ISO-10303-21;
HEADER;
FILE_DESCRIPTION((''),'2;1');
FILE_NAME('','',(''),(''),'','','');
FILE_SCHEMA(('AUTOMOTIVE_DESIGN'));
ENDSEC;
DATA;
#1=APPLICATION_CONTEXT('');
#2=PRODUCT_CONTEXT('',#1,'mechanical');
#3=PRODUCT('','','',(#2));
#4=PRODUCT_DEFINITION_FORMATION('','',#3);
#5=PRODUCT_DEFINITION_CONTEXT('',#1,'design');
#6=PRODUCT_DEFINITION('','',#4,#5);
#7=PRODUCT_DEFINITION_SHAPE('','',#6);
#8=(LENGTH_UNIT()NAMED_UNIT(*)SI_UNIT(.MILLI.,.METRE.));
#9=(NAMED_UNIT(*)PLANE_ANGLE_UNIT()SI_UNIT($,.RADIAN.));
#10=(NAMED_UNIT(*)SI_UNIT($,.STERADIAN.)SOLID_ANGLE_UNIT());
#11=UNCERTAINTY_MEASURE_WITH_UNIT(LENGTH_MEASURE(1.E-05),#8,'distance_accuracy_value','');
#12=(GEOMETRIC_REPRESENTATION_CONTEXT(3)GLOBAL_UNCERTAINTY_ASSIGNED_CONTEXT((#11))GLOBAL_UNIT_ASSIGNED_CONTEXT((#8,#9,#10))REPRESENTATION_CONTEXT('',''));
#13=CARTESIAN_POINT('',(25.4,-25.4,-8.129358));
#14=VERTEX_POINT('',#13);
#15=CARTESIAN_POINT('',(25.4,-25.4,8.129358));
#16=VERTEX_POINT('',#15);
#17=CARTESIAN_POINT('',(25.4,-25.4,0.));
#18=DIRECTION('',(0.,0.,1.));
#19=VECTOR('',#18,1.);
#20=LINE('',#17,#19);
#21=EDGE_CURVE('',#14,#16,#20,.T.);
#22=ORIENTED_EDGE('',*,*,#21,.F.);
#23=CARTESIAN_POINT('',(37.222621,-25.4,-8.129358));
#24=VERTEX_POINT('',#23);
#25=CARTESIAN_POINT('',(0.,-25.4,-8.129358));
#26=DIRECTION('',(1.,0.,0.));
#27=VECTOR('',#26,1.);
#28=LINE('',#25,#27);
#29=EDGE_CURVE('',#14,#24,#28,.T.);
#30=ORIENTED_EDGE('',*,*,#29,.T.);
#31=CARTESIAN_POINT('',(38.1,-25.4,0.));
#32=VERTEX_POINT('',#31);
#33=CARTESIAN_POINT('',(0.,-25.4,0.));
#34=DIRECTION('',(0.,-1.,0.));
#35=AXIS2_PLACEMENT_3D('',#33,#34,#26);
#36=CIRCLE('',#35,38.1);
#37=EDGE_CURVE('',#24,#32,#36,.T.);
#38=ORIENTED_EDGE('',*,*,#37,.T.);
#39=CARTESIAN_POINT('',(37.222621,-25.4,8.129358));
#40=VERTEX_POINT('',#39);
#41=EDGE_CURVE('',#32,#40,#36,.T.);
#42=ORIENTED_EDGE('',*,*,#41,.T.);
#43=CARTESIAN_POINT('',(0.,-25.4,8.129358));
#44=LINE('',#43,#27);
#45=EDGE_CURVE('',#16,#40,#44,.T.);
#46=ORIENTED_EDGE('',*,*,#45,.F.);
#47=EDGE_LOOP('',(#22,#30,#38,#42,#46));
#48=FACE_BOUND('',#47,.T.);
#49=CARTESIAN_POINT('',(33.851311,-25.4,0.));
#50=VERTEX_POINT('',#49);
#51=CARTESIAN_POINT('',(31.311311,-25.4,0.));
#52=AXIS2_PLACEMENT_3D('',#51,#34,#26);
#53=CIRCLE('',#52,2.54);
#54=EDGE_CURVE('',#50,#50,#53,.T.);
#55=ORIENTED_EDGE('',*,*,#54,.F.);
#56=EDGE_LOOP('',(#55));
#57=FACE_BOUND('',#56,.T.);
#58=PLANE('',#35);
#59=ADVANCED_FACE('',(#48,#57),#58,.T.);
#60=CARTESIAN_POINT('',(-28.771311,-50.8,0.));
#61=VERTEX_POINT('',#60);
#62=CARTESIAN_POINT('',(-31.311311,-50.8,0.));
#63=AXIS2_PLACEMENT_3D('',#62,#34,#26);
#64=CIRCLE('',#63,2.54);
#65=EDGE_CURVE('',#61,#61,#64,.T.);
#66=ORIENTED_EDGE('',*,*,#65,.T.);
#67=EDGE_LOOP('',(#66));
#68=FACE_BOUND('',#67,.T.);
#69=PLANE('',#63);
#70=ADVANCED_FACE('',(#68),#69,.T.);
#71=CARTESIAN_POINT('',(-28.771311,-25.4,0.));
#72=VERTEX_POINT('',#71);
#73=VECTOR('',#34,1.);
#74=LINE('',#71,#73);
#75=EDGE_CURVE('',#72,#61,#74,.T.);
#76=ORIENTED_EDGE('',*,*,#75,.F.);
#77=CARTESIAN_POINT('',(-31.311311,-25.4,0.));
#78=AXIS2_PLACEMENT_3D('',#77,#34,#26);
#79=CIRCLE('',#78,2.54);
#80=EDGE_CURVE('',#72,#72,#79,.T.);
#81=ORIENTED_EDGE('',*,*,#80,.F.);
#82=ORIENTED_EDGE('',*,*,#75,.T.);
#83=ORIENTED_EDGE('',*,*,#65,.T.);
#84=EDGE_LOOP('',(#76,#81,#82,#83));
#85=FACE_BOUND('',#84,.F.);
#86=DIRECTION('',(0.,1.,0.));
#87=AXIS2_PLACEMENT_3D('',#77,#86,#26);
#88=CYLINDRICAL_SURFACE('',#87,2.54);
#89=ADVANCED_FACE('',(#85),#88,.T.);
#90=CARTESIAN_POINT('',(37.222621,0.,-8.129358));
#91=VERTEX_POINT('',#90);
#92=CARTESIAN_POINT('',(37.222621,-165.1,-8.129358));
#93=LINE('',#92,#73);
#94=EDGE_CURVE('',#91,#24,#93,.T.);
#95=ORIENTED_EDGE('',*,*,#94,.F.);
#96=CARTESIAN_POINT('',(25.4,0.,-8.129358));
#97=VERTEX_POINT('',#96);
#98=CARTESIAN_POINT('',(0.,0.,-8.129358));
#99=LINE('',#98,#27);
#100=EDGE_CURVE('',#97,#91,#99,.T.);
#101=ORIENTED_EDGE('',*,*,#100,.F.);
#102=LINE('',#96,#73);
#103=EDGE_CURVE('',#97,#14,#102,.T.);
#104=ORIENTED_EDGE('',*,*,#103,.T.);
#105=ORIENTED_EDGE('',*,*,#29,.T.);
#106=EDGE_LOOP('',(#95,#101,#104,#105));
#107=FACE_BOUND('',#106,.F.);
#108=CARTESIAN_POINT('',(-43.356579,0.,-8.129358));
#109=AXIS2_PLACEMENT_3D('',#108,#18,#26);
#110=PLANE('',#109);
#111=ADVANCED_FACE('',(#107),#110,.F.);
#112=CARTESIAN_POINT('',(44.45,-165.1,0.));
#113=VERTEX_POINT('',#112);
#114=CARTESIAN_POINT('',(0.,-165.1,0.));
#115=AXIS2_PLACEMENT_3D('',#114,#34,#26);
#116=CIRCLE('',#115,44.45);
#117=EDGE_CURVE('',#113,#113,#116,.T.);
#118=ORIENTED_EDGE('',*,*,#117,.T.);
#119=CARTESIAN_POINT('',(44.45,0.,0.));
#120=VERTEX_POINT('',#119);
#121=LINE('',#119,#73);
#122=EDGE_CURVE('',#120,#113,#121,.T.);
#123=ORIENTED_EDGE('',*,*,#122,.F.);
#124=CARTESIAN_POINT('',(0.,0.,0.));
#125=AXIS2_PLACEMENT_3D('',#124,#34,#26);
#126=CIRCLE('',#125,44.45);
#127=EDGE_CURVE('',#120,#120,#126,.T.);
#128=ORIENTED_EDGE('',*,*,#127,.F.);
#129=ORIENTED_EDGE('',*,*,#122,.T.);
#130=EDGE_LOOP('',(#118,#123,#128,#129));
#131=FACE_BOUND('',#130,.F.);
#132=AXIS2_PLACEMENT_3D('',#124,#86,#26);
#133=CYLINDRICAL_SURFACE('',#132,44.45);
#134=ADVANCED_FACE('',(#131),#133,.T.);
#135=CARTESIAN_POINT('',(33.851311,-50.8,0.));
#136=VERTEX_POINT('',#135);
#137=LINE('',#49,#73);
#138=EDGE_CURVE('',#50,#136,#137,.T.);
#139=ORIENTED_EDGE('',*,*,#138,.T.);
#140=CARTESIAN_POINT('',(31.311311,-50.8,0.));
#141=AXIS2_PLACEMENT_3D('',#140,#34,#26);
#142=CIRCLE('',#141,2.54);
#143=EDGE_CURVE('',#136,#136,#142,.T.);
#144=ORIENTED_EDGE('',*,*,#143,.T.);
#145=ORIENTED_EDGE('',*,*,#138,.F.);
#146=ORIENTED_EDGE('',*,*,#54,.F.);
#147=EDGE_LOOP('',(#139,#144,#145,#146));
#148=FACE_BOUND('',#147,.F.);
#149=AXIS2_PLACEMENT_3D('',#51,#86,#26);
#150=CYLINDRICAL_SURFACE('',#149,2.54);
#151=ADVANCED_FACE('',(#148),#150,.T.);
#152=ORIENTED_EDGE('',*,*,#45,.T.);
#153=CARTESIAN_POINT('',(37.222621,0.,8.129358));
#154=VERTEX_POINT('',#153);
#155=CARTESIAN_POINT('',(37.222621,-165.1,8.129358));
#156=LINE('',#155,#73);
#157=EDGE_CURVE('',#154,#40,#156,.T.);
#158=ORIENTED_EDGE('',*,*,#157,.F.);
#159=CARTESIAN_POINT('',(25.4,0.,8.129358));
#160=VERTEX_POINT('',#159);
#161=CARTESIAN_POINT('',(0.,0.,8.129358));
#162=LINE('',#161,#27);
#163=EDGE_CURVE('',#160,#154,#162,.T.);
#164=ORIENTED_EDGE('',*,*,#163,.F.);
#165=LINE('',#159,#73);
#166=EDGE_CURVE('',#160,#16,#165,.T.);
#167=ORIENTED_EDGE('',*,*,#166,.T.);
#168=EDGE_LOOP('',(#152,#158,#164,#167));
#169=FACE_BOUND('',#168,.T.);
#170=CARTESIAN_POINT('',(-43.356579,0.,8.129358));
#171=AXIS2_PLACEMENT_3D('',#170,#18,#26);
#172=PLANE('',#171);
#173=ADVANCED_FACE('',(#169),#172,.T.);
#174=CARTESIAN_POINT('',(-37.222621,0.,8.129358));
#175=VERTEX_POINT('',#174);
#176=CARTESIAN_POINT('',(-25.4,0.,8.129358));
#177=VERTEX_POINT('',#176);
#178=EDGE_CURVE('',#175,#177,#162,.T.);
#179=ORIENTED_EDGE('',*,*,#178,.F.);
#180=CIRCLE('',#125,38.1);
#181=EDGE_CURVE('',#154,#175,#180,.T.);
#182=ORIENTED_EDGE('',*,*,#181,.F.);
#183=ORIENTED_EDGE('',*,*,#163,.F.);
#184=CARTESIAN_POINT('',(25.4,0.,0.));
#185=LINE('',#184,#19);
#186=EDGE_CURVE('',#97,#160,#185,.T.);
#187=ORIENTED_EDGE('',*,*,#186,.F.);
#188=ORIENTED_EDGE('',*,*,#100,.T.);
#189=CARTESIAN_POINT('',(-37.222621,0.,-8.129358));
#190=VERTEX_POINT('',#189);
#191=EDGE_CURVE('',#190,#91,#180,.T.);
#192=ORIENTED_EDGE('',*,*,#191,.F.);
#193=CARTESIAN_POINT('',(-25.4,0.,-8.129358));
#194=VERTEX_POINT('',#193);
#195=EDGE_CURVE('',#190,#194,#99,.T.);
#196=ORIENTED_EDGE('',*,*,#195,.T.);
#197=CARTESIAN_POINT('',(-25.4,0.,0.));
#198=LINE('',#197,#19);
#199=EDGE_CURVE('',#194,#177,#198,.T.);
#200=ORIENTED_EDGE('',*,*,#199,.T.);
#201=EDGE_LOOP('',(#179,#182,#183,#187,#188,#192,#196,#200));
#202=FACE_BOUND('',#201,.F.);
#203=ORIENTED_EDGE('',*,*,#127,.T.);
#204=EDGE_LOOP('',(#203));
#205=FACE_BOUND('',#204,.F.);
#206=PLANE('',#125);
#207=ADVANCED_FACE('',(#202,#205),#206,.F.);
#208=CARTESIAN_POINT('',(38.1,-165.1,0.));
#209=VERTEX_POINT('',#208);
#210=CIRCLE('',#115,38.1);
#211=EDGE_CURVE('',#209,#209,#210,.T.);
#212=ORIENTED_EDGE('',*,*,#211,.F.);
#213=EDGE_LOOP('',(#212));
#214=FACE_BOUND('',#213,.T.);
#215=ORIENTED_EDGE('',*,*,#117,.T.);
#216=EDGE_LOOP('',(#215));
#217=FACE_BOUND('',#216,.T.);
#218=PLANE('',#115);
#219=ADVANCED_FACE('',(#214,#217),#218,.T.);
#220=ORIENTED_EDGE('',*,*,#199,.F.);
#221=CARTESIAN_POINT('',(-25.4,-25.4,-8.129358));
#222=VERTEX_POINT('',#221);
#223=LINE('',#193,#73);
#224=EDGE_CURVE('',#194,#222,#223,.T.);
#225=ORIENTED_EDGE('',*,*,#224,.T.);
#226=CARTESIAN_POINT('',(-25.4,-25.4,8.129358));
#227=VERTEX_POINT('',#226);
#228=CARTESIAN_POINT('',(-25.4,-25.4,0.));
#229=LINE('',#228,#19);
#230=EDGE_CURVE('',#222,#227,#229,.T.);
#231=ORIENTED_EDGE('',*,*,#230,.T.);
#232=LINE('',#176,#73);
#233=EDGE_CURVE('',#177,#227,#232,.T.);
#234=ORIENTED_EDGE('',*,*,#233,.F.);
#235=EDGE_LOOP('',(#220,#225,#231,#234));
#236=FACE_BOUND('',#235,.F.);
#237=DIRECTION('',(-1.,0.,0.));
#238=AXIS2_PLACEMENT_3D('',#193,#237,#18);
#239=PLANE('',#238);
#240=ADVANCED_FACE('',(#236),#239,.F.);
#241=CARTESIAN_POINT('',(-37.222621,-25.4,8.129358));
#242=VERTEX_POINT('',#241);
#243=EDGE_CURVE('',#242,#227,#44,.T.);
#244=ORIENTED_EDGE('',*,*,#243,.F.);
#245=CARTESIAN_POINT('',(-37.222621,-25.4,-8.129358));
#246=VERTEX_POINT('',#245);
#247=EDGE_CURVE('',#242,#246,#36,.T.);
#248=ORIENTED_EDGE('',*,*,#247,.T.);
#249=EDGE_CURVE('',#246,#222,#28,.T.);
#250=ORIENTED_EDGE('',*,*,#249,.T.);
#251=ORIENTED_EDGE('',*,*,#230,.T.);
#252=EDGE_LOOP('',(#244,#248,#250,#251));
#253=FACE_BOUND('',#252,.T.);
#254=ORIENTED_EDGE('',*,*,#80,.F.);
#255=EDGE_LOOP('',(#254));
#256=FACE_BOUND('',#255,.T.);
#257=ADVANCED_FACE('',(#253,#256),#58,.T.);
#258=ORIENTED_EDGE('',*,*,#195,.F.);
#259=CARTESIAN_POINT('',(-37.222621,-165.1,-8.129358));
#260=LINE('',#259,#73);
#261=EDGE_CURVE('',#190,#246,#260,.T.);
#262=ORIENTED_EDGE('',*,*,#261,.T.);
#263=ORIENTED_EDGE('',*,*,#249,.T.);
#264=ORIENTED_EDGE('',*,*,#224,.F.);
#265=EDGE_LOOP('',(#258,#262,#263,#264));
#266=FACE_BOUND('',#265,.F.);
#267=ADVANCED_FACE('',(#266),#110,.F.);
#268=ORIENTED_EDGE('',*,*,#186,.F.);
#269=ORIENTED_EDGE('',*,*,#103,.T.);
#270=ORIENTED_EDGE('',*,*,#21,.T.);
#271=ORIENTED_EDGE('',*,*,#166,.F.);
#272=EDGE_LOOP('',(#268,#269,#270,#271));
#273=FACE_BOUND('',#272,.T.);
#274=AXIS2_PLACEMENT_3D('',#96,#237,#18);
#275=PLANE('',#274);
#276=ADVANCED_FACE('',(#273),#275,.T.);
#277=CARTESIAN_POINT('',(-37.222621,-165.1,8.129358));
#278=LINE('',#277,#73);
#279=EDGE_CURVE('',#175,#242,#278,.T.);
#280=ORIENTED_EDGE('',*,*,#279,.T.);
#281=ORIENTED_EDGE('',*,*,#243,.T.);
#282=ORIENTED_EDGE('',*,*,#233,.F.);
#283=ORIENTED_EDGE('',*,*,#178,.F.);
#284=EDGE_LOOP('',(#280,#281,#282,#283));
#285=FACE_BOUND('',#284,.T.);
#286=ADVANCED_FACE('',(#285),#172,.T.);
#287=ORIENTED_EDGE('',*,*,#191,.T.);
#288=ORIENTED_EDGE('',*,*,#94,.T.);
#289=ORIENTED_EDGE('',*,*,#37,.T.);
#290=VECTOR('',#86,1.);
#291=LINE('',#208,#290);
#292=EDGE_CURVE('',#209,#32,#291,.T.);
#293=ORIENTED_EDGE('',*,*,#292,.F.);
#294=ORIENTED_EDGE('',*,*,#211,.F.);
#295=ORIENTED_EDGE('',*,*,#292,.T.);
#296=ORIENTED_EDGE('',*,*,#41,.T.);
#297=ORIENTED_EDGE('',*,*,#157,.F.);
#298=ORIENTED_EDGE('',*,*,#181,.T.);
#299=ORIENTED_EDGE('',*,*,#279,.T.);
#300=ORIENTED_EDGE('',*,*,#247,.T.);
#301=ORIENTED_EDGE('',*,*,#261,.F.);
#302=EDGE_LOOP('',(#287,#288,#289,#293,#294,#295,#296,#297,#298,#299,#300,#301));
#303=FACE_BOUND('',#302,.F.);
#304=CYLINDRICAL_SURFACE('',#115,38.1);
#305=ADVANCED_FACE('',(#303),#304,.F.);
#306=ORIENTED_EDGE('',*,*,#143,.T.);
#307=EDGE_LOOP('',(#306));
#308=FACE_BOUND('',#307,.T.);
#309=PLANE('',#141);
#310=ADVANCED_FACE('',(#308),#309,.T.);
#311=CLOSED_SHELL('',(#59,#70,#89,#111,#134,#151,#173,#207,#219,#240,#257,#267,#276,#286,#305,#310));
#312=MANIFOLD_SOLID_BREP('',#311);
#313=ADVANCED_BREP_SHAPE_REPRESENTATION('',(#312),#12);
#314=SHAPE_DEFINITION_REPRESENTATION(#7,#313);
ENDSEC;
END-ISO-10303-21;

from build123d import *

# Parameters (mm, degrees)
F0_R     = 44.45
F1_DEPTH = 165.1
F2_R     = 38.1
F3_DEPTH = 254
F4_W     = 86.713158
F4_H     = 16.258716
F5_DEPTH = 25.4
F6_W     = 50.8
F6_H     = 16.258716
F7_DEPTH = 25.4
F8_R     = 2.54
F9_DEPTH = 25.4


with BuildPart() as f1:
    # F0 (on Front) → F1 (new body)
    with BuildSketch(Plane.XZ):
        Circle(F0_R)
    extrude(amount=F1_DEPTH)

    # F2 (on face) → F3 (cut)
    with BuildSketch(Plane.XZ.offset(165.1)):
        Circle(F2_R)
    extrude(amount=-F3_DEPTH, mode=Mode.SUBTRACT)

    # F4 (on Front) → F5 (join)
    with BuildSketch(Plane.XZ):
        Rectangle(F4_W, F4_H)
    extrude(amount=F5_DEPTH)

    # F6 (on face) → F7 (cut)
    with BuildSketch(Plane(origin=(0, 0, 0), x_dir=(-1, 0, 0), z_dir=(0, 1, 0))):
        Rectangle(F6_W, F6_H)
    extrude(amount=-F7_DEPTH, mode=Mode.SUBTRACT)

    # F8 (on face) → F9 (join)
    with BuildSketch(Plane.XZ.offset(25.4)):
        with Locations((31.311311, 0)):
            Circle(F8_R)
        with Locations((-31.311311, 0)):
            Circle(F8_R)
    extrude(amount=F9_DEPTH)


solid = f1.part
